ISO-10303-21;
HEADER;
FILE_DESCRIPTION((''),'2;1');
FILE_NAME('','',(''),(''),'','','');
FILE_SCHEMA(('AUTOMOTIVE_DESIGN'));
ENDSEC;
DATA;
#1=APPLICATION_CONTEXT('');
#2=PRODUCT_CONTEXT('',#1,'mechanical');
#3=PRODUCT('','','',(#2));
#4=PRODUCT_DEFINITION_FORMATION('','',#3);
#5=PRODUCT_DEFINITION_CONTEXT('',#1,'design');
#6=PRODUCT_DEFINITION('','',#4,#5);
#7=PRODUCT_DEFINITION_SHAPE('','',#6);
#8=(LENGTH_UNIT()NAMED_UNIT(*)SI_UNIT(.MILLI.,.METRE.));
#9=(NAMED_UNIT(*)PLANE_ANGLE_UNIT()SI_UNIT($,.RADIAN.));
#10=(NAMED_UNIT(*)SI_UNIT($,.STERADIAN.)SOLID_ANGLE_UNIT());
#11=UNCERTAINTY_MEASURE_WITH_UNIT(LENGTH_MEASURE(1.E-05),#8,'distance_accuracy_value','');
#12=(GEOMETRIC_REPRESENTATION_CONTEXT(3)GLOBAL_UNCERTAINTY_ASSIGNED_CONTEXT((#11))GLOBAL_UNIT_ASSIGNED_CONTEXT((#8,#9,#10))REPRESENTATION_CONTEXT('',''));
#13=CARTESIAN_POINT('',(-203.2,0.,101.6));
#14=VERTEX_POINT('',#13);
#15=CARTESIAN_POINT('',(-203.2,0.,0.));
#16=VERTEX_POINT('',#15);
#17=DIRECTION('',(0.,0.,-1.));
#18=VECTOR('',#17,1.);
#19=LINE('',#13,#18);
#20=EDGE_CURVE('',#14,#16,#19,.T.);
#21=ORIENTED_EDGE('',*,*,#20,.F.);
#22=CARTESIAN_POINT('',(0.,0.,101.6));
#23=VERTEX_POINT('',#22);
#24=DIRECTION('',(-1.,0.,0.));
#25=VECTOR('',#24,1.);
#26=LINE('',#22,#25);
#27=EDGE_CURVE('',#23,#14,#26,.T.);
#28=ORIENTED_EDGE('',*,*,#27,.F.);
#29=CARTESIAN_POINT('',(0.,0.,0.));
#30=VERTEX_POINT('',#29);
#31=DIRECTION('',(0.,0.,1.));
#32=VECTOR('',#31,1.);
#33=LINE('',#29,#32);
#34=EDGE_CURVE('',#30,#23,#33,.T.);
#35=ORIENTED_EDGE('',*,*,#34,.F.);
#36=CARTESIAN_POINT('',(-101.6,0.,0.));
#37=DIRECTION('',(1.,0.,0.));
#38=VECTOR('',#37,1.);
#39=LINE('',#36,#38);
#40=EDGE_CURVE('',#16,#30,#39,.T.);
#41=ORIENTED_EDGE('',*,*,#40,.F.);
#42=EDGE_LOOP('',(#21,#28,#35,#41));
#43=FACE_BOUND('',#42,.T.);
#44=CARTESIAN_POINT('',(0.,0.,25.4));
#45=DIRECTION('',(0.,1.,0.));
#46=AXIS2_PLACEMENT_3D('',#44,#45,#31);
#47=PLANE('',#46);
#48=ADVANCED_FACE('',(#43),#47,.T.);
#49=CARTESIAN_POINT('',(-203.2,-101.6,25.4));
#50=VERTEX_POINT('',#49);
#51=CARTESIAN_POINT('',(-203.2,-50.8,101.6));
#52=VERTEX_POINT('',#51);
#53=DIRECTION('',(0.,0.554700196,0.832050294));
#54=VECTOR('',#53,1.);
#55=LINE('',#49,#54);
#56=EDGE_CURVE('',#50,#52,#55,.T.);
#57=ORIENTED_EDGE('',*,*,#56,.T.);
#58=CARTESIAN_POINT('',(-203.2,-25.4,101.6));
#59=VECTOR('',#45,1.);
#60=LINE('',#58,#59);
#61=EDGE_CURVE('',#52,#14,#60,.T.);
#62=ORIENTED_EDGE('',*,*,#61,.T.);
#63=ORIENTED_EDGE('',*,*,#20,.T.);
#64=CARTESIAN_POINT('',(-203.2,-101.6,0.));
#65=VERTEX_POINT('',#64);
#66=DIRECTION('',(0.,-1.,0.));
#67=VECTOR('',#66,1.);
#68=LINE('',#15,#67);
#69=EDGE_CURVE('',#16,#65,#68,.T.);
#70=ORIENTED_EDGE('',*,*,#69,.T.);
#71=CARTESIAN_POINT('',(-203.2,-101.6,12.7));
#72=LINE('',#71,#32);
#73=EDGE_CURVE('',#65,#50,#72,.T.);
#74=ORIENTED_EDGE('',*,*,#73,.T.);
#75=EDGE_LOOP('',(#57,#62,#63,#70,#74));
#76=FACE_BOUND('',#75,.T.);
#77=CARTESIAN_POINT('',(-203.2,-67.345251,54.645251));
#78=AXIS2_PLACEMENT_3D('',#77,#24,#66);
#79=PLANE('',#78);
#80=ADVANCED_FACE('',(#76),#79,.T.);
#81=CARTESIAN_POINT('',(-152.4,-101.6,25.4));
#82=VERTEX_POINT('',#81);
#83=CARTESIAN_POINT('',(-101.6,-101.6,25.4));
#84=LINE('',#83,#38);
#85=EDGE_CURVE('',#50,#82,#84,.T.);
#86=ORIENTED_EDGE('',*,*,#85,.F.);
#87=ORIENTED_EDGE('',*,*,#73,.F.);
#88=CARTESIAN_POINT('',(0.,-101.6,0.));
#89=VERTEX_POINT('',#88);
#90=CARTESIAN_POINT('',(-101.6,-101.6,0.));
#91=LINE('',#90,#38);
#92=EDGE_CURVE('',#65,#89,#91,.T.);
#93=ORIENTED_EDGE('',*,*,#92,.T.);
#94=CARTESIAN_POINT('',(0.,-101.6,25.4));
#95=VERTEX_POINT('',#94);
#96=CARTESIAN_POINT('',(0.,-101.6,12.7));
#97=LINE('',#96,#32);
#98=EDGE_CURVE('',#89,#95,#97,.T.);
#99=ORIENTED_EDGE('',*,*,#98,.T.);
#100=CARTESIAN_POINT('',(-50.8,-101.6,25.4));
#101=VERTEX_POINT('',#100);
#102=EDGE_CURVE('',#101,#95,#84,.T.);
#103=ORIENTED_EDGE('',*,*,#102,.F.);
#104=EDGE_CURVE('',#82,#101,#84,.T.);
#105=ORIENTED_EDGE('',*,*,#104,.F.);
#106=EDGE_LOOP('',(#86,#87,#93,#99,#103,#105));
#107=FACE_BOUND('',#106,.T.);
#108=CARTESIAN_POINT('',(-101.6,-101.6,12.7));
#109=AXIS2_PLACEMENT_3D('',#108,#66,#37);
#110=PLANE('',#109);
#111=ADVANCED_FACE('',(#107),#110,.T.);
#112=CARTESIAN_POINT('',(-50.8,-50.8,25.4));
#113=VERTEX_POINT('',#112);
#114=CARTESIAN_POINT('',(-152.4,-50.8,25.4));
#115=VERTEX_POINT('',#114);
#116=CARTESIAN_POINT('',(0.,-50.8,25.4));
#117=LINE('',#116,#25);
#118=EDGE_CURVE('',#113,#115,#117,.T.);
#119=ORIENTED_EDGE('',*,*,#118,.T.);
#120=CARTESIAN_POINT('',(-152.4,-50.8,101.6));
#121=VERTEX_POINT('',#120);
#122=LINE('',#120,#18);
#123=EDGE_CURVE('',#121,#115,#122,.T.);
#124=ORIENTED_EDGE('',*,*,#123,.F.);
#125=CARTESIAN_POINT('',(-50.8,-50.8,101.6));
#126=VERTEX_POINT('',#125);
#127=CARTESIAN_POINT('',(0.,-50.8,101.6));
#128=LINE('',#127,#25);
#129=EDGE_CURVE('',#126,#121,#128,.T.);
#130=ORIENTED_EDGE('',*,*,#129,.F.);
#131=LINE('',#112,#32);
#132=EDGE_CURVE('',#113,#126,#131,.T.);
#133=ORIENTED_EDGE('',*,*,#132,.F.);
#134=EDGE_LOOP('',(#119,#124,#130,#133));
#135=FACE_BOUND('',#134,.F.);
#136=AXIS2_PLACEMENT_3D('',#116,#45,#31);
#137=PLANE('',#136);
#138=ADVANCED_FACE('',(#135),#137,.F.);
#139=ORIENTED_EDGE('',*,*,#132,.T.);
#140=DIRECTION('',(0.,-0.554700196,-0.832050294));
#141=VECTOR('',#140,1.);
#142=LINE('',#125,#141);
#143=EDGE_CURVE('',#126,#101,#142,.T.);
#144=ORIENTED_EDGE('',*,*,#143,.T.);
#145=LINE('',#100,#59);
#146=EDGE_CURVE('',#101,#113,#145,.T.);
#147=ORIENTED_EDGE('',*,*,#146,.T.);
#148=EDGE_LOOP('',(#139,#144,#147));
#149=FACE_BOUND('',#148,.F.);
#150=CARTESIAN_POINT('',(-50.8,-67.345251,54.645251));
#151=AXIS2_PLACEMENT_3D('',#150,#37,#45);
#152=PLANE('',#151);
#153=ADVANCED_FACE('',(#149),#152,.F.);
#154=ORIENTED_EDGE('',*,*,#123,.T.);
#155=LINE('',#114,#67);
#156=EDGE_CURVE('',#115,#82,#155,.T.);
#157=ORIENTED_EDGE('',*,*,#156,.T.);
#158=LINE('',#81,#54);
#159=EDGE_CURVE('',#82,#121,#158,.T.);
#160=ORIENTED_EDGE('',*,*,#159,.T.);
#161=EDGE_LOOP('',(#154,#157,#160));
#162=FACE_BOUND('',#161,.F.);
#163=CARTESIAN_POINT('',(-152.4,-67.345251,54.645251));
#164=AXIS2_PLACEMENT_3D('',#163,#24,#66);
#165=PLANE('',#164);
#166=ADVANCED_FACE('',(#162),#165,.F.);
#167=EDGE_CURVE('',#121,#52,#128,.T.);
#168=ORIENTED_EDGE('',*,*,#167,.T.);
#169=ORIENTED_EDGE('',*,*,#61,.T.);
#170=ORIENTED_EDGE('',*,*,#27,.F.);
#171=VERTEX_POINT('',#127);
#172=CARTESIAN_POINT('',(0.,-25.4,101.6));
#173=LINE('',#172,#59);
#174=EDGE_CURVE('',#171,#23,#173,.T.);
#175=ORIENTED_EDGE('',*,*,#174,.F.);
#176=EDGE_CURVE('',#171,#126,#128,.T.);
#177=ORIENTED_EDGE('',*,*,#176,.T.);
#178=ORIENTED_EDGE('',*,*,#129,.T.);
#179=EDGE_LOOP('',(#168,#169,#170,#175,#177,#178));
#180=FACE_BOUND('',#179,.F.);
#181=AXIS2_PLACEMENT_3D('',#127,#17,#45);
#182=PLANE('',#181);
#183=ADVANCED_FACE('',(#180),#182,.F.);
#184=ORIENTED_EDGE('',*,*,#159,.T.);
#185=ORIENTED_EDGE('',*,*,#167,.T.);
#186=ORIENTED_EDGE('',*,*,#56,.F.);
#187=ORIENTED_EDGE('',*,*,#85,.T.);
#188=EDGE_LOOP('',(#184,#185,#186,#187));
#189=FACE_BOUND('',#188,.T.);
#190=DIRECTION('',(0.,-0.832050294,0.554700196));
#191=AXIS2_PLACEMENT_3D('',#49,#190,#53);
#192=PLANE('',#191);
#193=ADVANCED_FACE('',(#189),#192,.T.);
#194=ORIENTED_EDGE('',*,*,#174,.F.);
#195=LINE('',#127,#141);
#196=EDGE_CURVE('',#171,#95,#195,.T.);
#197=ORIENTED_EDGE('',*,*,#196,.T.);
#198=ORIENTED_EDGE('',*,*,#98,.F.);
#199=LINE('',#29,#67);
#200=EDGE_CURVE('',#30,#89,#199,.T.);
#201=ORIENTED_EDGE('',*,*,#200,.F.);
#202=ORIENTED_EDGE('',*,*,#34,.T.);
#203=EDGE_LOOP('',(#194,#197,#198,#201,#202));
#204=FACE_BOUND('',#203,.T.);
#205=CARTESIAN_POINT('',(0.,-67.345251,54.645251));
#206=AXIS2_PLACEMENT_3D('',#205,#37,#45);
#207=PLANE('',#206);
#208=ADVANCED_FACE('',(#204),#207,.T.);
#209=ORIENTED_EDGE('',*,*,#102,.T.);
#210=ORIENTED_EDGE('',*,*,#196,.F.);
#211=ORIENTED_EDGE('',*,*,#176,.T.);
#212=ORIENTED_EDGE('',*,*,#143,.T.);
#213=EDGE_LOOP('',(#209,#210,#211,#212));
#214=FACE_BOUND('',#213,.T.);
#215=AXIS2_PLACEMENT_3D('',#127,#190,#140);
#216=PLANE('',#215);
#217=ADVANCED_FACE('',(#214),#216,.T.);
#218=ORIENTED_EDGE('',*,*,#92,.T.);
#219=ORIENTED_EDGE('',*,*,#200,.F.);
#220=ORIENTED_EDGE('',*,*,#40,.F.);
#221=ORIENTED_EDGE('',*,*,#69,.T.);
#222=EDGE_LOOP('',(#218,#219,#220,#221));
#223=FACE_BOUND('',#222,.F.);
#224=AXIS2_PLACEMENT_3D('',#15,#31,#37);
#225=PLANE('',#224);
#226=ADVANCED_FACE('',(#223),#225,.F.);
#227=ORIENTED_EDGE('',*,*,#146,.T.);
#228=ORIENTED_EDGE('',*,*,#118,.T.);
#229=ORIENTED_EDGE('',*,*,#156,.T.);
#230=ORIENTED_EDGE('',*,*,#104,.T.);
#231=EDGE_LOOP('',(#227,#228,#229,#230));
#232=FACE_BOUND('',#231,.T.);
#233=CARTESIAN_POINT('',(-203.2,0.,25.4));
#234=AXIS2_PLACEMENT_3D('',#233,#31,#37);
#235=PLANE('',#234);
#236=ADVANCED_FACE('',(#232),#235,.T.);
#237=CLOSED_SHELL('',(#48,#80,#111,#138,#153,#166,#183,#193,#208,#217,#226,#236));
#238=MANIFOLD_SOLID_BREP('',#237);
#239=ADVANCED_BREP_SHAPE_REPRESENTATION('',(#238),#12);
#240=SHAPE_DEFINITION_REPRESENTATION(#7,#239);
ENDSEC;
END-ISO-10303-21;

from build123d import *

# Parameters (mm, degrees)
F0_W     = 203.2
F0_H     = 25.4
F1_DEPTH = 101.6
F2_W     = 50.8
F2_H     = 76.2
F3_DEPTH = 203.2
F5_DEPTH = 50.8
F7_DEPTH = 50.8


with BuildPart() as f1:
    # F0 (on Front) → F1 (new body)
    with BuildSketch(Plane.XZ):
        with Locations((-101.6, 12.7)):
            Rectangle(F0_W, F0_H)
    extrude(amount=F1_DEPTH)

    # F2 (on Right) → F3 (join)
    with BuildSketch(Plane.YZ):
        with Locations((-25.4, 63.5)):
            Rectangle(F2_W, F2_H)
    extrude(amount=-F3_DEPTH)

    # F4 (on face) → F5 (join)
    with BuildSketch(Plane.YZ):
        Polygon((-50.8, 25.4), (-50.8, 101.6), (-101.6, 25.4), align=None)
    extrude(amount=-F5_DEPTH)

    # F6 (on face) → F7 (join)
    with BuildSketch(Plane(origin=(-203.2, 0, 0), x_dir=(0, -1, 0), z_dir=(-1, 0, 0))):
        Polygon((101.6, 25.4), (50.8, 101.6), (50.8, 25.4), align=None)
    extrude(amount=-F7_DEPTH)


solid = f1.part
